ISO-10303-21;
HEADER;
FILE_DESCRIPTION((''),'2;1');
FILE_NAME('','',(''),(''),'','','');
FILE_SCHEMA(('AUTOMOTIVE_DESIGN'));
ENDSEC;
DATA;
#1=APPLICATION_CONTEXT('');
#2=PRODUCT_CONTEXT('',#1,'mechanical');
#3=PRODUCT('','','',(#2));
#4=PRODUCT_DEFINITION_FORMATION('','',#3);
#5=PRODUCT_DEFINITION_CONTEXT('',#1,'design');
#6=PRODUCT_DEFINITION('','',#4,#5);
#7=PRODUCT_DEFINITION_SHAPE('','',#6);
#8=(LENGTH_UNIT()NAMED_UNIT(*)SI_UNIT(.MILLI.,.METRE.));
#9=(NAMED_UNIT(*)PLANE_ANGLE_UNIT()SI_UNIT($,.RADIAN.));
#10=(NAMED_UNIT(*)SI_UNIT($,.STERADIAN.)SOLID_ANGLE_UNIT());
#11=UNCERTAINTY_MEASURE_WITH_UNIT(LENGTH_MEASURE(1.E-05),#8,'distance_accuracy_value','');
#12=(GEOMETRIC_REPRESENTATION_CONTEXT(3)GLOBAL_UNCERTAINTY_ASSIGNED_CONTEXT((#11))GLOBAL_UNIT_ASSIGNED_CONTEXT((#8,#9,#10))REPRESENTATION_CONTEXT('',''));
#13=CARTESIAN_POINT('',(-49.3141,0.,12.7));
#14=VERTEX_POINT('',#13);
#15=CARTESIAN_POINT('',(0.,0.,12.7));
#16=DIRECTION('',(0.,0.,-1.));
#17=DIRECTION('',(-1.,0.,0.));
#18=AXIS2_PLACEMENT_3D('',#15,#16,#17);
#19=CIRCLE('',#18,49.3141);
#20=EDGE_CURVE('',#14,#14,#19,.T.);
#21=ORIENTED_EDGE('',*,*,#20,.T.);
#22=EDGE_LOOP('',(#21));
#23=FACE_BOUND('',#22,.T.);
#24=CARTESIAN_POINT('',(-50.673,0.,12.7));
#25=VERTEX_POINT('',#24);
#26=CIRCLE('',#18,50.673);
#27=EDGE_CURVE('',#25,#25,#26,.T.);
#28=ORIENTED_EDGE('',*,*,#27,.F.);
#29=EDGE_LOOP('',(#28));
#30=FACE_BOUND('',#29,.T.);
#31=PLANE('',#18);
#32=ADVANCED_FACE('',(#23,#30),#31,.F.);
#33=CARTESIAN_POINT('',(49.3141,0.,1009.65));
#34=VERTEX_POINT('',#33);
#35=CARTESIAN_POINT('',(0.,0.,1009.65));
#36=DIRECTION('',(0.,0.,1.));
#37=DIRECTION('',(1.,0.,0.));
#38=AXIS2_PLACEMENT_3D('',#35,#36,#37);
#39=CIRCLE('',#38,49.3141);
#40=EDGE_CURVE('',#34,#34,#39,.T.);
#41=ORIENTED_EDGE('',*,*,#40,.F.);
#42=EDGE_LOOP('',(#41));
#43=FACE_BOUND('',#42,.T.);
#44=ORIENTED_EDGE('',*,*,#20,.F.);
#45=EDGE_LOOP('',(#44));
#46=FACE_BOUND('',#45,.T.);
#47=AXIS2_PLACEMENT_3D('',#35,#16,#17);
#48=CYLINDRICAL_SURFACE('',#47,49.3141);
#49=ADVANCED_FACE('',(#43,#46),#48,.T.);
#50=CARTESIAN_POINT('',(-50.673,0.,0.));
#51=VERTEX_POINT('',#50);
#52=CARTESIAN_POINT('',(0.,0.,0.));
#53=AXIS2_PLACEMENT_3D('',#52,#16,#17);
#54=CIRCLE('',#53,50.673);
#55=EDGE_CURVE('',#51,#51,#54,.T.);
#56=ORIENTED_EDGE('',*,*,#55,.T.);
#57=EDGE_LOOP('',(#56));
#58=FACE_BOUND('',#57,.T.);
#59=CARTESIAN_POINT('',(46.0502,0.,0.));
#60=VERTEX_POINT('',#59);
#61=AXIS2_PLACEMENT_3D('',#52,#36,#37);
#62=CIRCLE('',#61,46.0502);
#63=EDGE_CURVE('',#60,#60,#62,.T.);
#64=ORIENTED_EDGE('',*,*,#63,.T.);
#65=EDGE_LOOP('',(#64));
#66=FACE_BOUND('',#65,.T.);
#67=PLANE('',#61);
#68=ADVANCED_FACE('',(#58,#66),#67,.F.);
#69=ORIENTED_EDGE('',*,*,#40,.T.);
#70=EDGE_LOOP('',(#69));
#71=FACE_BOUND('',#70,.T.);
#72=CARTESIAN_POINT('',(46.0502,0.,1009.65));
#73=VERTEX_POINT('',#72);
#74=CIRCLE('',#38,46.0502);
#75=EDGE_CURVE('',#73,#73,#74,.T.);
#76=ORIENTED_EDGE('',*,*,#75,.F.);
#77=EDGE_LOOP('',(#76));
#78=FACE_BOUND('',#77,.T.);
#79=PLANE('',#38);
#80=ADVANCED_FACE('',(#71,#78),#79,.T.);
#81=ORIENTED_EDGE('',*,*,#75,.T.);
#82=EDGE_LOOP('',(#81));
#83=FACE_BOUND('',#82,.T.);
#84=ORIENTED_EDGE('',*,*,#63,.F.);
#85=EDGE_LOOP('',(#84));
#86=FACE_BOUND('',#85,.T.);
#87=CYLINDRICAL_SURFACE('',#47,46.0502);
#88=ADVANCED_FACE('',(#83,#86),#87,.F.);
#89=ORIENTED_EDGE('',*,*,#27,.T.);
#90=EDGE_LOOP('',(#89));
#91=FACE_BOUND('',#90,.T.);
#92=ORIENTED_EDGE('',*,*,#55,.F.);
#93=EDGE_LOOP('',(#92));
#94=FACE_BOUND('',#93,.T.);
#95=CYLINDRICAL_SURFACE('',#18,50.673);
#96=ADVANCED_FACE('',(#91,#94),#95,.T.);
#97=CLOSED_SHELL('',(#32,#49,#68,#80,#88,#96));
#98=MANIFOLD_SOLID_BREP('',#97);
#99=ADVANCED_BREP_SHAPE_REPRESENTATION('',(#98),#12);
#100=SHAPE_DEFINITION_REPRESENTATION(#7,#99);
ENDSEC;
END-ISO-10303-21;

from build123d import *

# Parameters (mm, degrees)
SKETCH1_R           = 49.3141
SKETCH1_R_2         = 46.0502
BOSS_EXTRUDE1_DEPTH = 1009.65
SKETCH2_R           = 50.673
SKETCH2_R_2         = 49.3141
BOSS_EXTRUDE2_DEPTH = 12.7


with BuildPart() as part:
    # Sketch1 → Boss-Extrude1 (new body)
    with BuildSketch(Plane.XY):
        Circle(SKETCH1_R)
        Circle(SKETCH1_R_2, mode=Mode.SUBTRACT)
    extrude(amount=BOSS_EXTRUDE1_DEPTH)

    # Sketch2 → Boss-Extrude2 (add)
    with BuildSketch(Plane(origin=(0, 0, 0), x_dir=(-1, 0, 0), z_dir=(0, 0, -1))):
        Circle(SKETCH2_R)
        Circle(SKETCH2_R_2, mode=Mode.SUBTRACT)
    extrude(amount=-BOSS_EXTRUDE2_DEPTH)


solid = part.part
